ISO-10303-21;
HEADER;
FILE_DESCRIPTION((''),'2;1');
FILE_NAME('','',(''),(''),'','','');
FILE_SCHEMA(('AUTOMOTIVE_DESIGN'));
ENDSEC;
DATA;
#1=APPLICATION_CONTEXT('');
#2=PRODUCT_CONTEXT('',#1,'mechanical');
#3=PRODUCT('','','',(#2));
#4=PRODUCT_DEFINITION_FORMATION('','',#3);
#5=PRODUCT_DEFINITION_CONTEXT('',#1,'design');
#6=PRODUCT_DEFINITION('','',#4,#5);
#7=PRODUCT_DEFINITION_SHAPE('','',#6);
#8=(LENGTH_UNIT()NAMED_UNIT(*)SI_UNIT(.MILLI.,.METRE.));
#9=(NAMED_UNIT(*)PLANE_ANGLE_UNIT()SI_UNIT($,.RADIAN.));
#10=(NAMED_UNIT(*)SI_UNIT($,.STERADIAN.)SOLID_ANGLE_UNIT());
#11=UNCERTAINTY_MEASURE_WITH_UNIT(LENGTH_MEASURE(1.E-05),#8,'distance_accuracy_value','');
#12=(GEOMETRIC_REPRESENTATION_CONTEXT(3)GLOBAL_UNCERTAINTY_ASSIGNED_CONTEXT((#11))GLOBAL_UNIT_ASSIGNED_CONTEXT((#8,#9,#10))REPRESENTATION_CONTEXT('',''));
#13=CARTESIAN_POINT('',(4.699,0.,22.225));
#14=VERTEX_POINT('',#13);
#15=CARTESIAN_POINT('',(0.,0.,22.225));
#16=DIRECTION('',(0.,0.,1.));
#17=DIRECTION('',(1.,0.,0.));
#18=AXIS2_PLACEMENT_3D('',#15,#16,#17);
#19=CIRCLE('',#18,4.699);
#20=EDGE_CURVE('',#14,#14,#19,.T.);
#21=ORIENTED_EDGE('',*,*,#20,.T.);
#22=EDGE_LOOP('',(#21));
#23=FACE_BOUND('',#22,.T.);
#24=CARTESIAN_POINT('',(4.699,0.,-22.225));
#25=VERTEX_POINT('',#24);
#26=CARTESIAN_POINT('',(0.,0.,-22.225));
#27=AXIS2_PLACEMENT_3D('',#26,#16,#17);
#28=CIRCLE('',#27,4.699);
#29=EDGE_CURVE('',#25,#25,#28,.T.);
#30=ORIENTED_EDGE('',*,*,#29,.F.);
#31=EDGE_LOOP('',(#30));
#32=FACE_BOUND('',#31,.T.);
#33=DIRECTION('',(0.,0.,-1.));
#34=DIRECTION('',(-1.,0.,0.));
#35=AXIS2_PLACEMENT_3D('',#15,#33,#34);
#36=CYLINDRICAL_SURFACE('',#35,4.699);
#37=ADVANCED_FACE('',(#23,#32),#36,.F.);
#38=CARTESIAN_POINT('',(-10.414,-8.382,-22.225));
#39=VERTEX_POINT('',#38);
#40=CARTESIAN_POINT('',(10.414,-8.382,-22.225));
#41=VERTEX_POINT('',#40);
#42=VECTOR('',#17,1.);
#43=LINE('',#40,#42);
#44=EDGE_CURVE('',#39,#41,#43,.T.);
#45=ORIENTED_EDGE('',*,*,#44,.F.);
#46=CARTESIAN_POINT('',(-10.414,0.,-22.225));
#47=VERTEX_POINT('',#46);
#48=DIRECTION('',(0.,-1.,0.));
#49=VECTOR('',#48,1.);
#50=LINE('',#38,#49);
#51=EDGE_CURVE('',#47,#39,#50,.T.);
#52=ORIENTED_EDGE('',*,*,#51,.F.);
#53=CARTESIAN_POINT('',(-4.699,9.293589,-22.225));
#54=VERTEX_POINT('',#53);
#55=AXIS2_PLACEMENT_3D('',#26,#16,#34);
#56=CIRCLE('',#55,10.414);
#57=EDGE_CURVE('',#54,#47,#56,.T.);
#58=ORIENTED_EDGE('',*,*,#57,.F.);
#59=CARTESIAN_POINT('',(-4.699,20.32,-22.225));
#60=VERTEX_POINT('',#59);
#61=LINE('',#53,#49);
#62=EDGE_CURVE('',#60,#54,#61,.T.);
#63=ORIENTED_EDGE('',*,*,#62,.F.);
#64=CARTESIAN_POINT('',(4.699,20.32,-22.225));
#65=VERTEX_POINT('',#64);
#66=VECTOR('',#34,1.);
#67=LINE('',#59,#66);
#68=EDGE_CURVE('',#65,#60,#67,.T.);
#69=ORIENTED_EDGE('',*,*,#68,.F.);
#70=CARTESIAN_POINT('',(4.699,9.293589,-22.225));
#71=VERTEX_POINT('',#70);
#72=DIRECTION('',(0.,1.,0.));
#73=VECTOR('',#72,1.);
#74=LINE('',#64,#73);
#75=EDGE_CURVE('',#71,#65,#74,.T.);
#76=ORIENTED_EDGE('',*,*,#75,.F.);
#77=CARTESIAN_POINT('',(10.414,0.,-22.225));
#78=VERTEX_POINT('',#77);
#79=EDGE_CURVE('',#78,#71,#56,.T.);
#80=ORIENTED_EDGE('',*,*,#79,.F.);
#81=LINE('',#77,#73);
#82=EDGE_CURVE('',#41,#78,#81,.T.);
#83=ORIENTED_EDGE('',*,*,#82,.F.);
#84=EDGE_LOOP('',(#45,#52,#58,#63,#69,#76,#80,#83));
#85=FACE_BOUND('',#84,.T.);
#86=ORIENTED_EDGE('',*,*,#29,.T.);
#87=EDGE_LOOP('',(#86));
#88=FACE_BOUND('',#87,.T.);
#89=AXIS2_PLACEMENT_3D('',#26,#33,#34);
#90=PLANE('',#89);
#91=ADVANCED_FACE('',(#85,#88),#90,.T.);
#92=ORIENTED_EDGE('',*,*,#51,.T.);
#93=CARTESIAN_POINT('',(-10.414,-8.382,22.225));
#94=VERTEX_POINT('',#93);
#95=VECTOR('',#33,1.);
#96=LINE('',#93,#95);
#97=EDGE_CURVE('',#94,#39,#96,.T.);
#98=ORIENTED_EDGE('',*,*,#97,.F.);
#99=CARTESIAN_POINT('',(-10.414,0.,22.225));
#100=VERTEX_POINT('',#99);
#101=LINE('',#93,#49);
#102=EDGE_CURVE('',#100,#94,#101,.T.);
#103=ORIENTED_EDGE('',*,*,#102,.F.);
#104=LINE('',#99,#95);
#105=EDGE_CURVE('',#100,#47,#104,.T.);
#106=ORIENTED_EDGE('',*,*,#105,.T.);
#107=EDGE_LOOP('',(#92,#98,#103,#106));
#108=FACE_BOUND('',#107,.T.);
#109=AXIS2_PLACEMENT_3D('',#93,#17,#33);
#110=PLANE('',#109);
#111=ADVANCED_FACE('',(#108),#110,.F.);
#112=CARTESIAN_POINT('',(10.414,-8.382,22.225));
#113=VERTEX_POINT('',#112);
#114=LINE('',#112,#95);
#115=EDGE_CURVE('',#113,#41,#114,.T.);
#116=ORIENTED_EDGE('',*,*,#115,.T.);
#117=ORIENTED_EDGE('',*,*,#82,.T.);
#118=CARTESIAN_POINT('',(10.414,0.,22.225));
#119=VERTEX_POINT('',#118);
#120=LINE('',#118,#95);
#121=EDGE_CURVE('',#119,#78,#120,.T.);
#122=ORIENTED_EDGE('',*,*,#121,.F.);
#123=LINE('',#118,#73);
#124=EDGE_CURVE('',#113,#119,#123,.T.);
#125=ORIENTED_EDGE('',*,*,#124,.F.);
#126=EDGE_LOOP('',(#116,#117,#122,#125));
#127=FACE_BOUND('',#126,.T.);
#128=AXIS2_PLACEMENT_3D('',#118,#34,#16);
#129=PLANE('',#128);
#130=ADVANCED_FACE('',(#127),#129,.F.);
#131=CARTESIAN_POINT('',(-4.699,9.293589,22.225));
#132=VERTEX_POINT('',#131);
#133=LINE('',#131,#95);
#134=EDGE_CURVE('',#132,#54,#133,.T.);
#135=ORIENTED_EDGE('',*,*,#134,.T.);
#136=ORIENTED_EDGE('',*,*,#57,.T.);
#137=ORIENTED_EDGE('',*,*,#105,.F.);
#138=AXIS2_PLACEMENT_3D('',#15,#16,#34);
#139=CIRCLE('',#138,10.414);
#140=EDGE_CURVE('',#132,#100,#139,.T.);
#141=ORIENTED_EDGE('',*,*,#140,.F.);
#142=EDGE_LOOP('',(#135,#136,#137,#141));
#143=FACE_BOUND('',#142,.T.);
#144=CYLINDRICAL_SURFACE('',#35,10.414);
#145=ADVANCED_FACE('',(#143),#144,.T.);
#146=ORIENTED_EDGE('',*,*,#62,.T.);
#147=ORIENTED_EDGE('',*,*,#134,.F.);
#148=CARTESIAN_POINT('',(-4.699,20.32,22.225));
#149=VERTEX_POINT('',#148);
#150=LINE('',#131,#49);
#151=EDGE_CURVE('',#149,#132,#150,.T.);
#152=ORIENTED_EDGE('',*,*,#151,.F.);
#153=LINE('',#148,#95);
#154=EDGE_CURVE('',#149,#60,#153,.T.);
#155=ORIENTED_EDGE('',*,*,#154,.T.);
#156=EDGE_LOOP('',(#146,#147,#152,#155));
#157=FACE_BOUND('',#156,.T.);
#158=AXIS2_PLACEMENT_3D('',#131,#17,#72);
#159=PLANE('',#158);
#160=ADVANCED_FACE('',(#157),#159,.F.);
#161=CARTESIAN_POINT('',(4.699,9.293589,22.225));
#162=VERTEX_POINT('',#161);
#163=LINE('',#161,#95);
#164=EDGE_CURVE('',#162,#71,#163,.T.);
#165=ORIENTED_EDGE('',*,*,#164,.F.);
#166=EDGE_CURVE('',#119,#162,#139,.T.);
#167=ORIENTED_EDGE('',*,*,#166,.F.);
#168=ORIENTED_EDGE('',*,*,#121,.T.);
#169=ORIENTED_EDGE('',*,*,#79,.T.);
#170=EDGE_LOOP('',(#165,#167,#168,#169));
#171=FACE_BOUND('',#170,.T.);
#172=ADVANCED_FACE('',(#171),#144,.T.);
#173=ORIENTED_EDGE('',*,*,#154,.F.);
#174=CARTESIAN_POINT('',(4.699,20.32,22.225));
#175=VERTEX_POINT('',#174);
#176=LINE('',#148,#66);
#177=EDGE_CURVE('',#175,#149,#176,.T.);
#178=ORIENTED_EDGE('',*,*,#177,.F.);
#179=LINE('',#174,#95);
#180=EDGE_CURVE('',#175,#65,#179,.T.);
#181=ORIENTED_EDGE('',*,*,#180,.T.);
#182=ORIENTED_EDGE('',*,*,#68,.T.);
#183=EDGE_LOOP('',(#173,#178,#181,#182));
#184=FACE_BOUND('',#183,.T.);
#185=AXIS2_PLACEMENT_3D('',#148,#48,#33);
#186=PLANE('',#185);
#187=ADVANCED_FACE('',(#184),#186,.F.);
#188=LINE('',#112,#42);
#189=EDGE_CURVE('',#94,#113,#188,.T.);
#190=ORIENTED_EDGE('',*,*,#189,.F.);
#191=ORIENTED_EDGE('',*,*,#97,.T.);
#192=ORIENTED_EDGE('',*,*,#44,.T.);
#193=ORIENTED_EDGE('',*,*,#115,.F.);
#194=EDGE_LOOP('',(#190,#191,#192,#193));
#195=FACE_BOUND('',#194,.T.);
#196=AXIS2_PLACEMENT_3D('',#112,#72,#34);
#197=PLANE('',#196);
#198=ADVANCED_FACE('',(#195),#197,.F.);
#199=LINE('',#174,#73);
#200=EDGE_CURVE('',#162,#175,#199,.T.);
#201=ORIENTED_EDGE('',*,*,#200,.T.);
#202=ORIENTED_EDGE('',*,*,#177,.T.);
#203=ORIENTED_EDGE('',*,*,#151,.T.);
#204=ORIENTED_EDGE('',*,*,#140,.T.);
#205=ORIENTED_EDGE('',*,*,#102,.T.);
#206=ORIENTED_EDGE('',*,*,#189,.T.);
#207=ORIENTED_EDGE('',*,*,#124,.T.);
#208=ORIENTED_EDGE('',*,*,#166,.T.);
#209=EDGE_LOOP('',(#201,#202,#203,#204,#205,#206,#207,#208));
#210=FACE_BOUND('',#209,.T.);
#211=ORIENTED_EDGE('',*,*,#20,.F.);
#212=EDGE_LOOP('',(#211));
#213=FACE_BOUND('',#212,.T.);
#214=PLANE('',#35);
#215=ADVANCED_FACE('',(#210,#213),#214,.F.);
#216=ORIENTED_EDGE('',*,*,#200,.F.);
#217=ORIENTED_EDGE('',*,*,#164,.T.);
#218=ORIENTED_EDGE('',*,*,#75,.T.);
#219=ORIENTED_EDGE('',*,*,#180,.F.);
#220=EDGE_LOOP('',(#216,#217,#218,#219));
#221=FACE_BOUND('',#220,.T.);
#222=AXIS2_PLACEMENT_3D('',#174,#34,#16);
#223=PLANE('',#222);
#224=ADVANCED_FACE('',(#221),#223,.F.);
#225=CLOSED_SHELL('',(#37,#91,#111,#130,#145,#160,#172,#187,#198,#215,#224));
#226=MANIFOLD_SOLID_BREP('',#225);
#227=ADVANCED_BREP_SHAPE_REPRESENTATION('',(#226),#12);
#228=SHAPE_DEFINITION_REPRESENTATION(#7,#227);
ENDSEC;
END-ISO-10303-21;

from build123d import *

# Parameters (mm, degrees)
SKETCH1_R           = 4.699
BOSS_EXTRUDE1_DEPTH = 22.225


with BuildPart() as part:
    # Sketch1 → Boss-Extrude1 (new, symmetric)
    with BuildSketch(Plane.XY):
        with BuildLine():
            Line((10.414, -8.382), (-10.414, -8.382))
            Line((-10.414, -8.382), (-10.414, 0))
            ThreePointArc((-10.414, 0), (-8.870929545, 5.455089825), (-4.699, 9.293588919))
            Line((-4.699, 9.293588919), (-4.699, 20.32))
            Line((-4.699, 20.32), (4.699, 20.32))
            Line((4.699, 20.32), (4.699, 9.293588919))
            ThreePointArc((4.699, 9.293588919), (8.870929545, 5.455089825), (10.414, 0))
            Line((10.414, 0), (10.414, -8.382))
        make_face()
        Circle(SKETCH1_R, mode=Mode.SUBTRACT)
    extrude(amount=BOSS_EXTRUDE1_DEPTH, both=True)


solid = part.part
